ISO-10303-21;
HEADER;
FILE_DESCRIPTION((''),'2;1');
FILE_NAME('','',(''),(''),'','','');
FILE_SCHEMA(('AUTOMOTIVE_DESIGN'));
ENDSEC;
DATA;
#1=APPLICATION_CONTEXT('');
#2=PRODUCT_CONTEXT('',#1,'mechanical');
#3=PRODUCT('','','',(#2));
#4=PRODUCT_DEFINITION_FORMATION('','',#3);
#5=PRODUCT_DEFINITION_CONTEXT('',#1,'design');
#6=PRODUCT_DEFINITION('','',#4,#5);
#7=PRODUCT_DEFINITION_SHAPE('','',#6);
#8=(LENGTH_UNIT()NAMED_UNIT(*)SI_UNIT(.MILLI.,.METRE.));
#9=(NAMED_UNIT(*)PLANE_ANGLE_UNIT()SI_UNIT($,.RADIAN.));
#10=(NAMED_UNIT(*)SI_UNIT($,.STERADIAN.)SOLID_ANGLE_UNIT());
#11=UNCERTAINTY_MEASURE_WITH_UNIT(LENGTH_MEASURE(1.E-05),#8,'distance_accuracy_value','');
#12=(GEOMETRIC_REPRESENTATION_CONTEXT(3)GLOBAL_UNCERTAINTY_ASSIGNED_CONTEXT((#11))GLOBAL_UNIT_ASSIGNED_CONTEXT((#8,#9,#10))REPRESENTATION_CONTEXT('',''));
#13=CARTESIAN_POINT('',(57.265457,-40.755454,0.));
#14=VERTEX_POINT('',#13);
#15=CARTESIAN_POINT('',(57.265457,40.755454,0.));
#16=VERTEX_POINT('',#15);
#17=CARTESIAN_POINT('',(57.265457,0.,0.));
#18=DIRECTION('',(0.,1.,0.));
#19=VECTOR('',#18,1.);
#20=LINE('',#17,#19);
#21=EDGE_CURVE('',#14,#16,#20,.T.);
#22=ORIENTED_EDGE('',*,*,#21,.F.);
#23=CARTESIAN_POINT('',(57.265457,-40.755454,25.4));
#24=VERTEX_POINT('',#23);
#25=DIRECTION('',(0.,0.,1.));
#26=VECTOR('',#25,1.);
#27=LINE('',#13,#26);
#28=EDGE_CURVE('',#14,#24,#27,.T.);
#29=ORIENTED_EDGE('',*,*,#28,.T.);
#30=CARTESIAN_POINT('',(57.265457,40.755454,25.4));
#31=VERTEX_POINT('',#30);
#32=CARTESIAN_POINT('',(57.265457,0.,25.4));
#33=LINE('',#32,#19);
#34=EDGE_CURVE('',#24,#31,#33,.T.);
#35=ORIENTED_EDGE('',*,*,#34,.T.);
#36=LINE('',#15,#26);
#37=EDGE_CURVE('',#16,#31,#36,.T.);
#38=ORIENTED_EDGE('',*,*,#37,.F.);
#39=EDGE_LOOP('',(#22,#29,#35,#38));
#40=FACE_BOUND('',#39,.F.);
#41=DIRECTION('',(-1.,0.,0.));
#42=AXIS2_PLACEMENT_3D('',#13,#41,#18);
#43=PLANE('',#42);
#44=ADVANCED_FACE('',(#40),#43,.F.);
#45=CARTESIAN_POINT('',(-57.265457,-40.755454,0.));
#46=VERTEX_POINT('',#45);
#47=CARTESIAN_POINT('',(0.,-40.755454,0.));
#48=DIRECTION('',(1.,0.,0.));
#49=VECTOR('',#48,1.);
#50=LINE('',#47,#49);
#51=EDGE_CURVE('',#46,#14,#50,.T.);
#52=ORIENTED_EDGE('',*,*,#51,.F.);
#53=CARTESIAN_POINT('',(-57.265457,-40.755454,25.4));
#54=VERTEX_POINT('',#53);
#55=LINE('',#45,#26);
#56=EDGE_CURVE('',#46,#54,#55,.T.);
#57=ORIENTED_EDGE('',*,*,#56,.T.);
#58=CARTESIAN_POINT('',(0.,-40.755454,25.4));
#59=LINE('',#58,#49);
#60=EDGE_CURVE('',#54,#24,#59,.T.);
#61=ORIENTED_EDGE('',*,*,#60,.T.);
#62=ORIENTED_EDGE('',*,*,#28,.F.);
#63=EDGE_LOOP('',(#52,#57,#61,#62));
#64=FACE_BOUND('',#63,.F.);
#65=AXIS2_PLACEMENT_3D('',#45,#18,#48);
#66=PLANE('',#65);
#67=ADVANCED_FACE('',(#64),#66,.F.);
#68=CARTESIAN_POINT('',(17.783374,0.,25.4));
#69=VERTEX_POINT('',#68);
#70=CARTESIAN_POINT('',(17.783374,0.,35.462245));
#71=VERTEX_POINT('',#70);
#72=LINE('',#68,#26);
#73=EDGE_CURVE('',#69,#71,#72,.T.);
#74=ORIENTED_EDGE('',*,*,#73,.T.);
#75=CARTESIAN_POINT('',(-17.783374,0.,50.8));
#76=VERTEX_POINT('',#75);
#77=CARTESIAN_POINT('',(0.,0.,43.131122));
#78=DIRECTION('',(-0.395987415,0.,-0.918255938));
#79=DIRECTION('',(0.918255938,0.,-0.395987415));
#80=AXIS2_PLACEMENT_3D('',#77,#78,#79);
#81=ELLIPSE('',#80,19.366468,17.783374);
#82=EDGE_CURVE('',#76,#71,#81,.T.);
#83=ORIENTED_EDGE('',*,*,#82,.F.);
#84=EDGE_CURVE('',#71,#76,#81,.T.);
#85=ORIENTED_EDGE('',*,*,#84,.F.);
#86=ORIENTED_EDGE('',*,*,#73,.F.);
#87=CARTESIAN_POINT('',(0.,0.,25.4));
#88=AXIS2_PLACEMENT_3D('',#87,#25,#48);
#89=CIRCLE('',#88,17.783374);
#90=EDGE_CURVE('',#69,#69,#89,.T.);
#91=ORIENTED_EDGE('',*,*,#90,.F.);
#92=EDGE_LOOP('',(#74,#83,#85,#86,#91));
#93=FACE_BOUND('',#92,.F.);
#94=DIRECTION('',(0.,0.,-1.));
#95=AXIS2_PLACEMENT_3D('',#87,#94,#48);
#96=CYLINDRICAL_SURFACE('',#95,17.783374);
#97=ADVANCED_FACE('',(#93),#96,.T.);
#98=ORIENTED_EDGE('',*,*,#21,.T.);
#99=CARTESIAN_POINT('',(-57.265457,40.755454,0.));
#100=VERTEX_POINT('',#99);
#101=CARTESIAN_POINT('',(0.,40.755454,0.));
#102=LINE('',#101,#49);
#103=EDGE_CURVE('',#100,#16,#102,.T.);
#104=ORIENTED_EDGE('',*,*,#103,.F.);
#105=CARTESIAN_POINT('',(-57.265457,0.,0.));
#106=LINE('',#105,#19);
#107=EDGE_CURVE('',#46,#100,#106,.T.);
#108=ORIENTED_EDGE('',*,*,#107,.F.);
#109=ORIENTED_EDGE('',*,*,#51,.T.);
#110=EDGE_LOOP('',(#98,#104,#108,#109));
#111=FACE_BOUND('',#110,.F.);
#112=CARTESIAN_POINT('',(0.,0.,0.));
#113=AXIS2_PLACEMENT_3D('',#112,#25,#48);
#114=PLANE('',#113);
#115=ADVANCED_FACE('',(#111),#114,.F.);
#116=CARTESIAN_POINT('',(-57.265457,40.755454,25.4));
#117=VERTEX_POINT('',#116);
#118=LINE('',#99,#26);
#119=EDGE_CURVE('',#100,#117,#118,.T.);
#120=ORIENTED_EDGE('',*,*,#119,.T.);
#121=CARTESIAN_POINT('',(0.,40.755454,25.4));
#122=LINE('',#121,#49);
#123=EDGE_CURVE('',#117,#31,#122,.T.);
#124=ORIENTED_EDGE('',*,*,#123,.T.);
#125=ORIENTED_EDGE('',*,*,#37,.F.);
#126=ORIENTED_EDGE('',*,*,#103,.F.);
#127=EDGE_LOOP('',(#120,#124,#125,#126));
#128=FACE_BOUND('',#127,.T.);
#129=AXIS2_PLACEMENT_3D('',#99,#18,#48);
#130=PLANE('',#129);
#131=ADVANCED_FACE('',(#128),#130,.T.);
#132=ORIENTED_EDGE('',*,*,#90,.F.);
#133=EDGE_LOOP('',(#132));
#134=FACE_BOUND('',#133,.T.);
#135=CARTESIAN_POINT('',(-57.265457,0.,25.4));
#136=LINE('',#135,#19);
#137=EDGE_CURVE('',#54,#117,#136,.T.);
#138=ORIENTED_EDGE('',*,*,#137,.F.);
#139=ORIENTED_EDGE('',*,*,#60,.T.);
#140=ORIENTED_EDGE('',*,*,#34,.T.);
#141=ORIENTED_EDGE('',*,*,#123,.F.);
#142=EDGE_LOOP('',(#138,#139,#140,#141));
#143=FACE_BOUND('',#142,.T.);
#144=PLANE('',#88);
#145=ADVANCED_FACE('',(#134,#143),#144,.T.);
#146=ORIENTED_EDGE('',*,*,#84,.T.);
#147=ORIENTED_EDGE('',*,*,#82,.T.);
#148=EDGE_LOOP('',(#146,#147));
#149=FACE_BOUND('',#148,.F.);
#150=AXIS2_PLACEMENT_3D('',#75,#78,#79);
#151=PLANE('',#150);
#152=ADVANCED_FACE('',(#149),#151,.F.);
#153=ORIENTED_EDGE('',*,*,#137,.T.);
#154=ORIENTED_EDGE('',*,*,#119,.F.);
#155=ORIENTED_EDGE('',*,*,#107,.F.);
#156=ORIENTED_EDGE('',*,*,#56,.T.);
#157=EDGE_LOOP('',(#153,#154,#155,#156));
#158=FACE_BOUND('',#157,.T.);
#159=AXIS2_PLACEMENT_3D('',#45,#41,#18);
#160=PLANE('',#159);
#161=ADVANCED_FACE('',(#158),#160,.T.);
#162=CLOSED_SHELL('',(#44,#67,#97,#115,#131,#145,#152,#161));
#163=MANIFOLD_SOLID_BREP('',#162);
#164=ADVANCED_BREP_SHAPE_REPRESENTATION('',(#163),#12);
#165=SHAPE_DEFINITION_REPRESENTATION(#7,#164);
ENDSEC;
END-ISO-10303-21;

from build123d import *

# Parameters (mm, degrees)
F0_W     = 114.530914
F0_H     = 81.510908
F1_DEPTH = 25.4
F2_R     = 17.783374
F3_DEPTH = 25.4
F5_DEPTH = 38.1


with BuildPart() as f1:
    # F0 (on Top) → F1 (new body)
    with BuildSketch(Plane.XY):
        Rectangle(F0_W, F0_H)
    extrude(amount=F1_DEPTH)

    # F2 (on face) → F3 (join)
    with BuildSketch(Plane.XY.offset(25.4)):
        Circle(F2_R)
    extrude(amount=F3_DEPTH)

    # F4 (on Front) → F5 (cut, symmetric)
    with BuildSketch(Plane.XZ):
        Polygon((17.783374, 50.8), (-17.783374, 50.8), (17.783374, 35.462245), align=None)
    extrude(amount=F5_DEPTH, both=True, mode=Mode.SUBTRACT)


solid = f1.part
